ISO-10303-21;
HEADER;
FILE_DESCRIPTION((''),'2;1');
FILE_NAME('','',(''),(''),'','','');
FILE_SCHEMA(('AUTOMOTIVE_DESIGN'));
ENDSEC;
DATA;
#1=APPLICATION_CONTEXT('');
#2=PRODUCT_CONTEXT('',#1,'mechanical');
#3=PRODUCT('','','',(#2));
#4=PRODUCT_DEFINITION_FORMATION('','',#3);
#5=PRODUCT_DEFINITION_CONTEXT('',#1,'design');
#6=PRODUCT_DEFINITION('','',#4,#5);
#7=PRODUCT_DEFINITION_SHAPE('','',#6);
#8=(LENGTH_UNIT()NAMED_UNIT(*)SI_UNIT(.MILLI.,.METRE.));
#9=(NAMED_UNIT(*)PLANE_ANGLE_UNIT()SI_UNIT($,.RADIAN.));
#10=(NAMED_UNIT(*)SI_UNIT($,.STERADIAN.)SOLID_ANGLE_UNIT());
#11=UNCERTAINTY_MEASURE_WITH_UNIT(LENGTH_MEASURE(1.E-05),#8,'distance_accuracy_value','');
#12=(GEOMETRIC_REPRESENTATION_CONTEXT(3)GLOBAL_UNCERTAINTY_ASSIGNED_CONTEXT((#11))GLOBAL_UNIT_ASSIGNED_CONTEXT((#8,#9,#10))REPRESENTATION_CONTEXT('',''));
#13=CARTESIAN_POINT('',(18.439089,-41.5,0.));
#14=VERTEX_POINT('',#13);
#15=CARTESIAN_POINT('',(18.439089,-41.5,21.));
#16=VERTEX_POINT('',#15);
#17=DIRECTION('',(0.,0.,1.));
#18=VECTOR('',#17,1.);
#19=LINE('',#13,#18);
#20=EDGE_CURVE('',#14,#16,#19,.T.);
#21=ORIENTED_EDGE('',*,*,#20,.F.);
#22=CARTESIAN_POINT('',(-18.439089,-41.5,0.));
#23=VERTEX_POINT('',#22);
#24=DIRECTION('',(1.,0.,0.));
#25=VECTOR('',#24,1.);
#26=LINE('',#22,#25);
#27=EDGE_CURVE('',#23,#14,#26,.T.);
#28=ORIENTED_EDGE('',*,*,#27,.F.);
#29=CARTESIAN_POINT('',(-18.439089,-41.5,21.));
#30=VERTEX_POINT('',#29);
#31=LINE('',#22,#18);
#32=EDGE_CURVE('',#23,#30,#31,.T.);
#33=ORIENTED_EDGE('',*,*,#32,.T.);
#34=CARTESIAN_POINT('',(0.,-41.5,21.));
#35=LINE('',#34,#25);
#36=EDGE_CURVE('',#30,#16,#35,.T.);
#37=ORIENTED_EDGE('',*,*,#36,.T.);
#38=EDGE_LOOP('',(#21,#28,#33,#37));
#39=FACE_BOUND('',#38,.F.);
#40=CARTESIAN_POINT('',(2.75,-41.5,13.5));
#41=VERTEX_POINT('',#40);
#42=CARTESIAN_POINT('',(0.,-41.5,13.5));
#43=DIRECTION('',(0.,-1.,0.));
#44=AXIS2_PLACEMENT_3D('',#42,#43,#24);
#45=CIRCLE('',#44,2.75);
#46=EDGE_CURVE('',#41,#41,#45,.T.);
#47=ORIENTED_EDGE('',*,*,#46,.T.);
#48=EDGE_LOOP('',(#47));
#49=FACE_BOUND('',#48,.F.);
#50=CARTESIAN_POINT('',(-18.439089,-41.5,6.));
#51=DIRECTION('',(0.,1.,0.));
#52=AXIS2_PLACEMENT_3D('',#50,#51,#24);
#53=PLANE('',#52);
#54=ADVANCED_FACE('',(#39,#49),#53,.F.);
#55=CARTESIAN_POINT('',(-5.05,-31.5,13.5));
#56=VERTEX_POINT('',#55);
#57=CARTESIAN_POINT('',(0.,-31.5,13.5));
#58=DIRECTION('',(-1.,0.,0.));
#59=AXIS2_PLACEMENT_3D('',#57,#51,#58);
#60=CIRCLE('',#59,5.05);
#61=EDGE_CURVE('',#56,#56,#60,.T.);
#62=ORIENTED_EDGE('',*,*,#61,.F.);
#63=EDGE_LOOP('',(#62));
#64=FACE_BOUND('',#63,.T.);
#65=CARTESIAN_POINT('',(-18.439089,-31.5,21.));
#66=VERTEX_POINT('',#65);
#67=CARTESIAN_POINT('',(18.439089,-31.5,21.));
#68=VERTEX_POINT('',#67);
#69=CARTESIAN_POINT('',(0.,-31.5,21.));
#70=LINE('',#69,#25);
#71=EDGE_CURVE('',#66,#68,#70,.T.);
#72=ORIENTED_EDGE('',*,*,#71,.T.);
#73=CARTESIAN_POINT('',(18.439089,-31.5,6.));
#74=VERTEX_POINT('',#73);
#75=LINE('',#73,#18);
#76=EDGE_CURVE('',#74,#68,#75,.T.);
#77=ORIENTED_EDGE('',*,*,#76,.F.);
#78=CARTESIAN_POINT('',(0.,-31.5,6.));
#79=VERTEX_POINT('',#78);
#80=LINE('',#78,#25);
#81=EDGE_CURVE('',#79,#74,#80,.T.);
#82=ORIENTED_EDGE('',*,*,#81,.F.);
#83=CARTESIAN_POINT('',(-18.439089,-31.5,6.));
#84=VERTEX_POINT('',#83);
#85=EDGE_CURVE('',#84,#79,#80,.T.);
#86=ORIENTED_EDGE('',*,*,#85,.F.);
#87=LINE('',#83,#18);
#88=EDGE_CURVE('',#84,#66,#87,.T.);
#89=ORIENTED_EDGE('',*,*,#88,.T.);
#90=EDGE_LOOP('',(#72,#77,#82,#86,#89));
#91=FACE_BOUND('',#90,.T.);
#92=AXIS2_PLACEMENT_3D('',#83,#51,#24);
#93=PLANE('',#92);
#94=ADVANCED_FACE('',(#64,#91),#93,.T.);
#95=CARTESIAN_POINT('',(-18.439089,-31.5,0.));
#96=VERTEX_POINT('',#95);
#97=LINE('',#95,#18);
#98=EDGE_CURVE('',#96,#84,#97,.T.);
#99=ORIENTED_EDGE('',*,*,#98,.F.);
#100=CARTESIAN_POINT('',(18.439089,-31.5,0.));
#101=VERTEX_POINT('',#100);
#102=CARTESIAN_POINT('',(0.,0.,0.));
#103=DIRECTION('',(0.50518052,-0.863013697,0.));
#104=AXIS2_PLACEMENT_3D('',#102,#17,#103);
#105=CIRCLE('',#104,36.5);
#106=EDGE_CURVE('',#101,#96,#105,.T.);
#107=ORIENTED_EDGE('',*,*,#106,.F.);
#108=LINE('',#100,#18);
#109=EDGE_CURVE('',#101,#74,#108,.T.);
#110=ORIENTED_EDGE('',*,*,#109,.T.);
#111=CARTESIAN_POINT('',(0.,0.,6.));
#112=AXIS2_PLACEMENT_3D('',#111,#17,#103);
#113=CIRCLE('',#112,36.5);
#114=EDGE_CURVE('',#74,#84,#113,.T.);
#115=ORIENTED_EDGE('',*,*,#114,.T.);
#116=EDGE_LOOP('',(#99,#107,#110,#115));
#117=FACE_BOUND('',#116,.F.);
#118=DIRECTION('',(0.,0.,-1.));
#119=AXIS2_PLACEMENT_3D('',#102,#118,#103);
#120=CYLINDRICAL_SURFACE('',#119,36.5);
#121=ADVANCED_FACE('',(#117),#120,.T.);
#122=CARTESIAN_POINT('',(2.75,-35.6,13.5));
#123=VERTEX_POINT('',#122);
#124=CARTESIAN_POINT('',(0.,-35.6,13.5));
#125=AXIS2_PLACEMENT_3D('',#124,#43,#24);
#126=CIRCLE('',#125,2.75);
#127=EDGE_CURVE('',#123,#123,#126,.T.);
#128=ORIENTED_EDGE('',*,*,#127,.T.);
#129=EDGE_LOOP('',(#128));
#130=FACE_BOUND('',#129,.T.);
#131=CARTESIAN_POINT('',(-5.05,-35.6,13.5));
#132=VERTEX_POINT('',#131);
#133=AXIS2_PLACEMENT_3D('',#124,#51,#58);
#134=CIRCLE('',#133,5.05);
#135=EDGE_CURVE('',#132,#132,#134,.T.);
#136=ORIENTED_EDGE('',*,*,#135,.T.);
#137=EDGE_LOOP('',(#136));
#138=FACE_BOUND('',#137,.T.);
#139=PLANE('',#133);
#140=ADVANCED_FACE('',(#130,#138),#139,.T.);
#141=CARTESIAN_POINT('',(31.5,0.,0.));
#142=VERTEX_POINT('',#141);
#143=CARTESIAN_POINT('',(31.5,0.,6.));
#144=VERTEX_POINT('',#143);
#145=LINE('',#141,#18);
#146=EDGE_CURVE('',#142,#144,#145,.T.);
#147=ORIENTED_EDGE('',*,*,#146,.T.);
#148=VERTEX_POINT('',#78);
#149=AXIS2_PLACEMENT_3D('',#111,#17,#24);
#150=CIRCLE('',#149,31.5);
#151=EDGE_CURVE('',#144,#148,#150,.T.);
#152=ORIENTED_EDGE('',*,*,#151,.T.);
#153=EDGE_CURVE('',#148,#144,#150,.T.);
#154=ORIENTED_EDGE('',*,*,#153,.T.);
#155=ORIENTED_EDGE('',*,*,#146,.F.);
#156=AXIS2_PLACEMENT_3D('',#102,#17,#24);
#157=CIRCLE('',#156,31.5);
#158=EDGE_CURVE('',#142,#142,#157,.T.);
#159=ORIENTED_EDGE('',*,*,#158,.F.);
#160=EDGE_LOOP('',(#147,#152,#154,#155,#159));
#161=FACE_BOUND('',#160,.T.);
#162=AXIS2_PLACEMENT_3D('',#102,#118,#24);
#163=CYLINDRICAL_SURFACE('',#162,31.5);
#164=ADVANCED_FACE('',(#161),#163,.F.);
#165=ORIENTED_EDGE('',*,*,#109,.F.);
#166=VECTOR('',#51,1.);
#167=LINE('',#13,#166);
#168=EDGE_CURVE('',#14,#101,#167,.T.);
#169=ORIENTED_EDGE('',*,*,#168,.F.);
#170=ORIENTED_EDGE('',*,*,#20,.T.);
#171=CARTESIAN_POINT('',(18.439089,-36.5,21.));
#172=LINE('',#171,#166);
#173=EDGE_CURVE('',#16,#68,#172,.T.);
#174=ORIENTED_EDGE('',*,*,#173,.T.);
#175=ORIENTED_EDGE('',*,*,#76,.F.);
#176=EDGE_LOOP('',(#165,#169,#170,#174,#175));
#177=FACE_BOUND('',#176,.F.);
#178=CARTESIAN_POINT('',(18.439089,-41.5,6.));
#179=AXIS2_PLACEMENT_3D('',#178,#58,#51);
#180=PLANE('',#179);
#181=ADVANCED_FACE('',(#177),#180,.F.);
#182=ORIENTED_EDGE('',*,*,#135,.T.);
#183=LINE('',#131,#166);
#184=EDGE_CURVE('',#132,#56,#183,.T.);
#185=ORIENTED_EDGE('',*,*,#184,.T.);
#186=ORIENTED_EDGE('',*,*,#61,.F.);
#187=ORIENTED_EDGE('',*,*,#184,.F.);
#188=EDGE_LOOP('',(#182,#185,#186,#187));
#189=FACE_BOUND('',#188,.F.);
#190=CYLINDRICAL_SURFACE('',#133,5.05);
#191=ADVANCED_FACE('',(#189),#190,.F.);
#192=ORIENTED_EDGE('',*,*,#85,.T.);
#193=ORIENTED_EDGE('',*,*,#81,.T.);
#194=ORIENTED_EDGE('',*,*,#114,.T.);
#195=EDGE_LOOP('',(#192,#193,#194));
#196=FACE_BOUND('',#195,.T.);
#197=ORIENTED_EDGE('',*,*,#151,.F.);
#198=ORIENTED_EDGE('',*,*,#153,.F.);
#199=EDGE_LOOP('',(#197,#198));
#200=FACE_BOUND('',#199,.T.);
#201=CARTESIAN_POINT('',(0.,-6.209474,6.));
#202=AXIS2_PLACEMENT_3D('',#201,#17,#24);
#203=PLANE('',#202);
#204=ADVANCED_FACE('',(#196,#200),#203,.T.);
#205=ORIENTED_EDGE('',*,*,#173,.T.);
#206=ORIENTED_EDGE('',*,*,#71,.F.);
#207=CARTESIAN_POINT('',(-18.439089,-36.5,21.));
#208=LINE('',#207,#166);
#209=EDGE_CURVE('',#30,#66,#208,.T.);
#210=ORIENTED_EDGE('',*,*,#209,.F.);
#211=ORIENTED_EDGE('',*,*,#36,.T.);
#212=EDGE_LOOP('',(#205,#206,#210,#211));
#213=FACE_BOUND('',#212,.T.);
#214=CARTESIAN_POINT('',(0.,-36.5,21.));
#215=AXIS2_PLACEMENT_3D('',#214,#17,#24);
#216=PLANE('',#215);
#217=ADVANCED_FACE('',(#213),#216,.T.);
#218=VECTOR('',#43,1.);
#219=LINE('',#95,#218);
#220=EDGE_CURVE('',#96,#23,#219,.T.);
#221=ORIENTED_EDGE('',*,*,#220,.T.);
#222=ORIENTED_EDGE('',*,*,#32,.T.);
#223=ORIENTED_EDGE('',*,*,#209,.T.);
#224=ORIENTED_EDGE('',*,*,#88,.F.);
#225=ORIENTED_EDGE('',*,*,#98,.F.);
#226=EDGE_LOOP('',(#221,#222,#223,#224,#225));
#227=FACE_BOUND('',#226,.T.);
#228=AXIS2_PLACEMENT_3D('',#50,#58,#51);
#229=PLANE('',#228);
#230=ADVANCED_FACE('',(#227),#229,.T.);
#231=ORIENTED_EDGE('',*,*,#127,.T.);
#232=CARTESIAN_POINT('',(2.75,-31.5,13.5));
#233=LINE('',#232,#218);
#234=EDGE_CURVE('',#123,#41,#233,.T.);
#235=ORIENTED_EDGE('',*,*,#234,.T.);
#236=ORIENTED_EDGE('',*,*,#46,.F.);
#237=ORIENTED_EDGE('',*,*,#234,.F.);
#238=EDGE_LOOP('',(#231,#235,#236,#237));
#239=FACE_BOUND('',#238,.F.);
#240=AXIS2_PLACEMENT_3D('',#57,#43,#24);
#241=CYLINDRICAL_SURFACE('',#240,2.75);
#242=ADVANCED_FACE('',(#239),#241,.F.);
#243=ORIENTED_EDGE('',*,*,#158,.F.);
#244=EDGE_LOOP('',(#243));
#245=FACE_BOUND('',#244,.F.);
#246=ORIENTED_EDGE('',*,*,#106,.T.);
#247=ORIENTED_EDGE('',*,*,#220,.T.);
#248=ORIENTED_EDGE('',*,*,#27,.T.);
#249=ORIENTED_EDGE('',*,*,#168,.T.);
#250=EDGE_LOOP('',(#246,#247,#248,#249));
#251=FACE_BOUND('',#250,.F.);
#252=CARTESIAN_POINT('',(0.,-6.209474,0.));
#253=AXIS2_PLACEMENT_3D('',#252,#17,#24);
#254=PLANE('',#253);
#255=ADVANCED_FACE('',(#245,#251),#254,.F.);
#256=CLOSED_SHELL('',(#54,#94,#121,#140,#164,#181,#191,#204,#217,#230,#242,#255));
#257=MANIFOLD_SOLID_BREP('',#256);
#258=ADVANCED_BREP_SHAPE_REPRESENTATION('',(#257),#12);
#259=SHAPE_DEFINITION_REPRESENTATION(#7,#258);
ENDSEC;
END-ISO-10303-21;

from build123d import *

# Parameters (mm, degrees)
SKETCH_R         = 31.5
PAD_DEPTH        = 6
SKETCH001_W      = 36.878178
SKETCH001_H      = 10
PAD001_DEPTH     = 15
HOLE_D           = 5.5
HOLE_DEPTH       = 25
HOLE_CBORE_D     = 10.1
HOLE_CBORE_DEPTH = 4.1


with BuildPart() as part:
    # Sketch → Pad (new body)
    with BuildSketch(Plane.XY):
        with BuildLine():
            ThreePointArc((18.439089, -31.5), (0, 36.5), (-18.439089, -31.5))
            Line((-18.439089, -31.5), (-18.439089, -41.5))
            Line((-18.439089, -41.5), (18.439089, -41.5))
            Line((18.439089, -41.5), (18.439089, -31.5))
        make_face()
        Circle(SKETCH_R, mode=Mode.SUBTRACT)
    extrude(amount=PAD_DEPTH)

    # Sketch001 (on Face7 of Pad) → Pad001 (join)
    with BuildSketch(Plane.XY.offset(6)):
        with Locations((0, -36.5)):
            Rectangle(SKETCH001_W, SKETCH001_H)
    extrude(amount=PAD001_DEPTH)

    # Hole
    with Locations(Plane(origin=(0, -31.5, 0), x_dir=(-1, 0, 0), z_dir=(0, 1, 0))):
        with Locations((0, 13.5)):
            CounterBoreHole(HOLE_D / 2, HOLE_CBORE_D / 2, HOLE_CBORE_DEPTH, depth=HOLE_DEPTH)


solid = part.part
